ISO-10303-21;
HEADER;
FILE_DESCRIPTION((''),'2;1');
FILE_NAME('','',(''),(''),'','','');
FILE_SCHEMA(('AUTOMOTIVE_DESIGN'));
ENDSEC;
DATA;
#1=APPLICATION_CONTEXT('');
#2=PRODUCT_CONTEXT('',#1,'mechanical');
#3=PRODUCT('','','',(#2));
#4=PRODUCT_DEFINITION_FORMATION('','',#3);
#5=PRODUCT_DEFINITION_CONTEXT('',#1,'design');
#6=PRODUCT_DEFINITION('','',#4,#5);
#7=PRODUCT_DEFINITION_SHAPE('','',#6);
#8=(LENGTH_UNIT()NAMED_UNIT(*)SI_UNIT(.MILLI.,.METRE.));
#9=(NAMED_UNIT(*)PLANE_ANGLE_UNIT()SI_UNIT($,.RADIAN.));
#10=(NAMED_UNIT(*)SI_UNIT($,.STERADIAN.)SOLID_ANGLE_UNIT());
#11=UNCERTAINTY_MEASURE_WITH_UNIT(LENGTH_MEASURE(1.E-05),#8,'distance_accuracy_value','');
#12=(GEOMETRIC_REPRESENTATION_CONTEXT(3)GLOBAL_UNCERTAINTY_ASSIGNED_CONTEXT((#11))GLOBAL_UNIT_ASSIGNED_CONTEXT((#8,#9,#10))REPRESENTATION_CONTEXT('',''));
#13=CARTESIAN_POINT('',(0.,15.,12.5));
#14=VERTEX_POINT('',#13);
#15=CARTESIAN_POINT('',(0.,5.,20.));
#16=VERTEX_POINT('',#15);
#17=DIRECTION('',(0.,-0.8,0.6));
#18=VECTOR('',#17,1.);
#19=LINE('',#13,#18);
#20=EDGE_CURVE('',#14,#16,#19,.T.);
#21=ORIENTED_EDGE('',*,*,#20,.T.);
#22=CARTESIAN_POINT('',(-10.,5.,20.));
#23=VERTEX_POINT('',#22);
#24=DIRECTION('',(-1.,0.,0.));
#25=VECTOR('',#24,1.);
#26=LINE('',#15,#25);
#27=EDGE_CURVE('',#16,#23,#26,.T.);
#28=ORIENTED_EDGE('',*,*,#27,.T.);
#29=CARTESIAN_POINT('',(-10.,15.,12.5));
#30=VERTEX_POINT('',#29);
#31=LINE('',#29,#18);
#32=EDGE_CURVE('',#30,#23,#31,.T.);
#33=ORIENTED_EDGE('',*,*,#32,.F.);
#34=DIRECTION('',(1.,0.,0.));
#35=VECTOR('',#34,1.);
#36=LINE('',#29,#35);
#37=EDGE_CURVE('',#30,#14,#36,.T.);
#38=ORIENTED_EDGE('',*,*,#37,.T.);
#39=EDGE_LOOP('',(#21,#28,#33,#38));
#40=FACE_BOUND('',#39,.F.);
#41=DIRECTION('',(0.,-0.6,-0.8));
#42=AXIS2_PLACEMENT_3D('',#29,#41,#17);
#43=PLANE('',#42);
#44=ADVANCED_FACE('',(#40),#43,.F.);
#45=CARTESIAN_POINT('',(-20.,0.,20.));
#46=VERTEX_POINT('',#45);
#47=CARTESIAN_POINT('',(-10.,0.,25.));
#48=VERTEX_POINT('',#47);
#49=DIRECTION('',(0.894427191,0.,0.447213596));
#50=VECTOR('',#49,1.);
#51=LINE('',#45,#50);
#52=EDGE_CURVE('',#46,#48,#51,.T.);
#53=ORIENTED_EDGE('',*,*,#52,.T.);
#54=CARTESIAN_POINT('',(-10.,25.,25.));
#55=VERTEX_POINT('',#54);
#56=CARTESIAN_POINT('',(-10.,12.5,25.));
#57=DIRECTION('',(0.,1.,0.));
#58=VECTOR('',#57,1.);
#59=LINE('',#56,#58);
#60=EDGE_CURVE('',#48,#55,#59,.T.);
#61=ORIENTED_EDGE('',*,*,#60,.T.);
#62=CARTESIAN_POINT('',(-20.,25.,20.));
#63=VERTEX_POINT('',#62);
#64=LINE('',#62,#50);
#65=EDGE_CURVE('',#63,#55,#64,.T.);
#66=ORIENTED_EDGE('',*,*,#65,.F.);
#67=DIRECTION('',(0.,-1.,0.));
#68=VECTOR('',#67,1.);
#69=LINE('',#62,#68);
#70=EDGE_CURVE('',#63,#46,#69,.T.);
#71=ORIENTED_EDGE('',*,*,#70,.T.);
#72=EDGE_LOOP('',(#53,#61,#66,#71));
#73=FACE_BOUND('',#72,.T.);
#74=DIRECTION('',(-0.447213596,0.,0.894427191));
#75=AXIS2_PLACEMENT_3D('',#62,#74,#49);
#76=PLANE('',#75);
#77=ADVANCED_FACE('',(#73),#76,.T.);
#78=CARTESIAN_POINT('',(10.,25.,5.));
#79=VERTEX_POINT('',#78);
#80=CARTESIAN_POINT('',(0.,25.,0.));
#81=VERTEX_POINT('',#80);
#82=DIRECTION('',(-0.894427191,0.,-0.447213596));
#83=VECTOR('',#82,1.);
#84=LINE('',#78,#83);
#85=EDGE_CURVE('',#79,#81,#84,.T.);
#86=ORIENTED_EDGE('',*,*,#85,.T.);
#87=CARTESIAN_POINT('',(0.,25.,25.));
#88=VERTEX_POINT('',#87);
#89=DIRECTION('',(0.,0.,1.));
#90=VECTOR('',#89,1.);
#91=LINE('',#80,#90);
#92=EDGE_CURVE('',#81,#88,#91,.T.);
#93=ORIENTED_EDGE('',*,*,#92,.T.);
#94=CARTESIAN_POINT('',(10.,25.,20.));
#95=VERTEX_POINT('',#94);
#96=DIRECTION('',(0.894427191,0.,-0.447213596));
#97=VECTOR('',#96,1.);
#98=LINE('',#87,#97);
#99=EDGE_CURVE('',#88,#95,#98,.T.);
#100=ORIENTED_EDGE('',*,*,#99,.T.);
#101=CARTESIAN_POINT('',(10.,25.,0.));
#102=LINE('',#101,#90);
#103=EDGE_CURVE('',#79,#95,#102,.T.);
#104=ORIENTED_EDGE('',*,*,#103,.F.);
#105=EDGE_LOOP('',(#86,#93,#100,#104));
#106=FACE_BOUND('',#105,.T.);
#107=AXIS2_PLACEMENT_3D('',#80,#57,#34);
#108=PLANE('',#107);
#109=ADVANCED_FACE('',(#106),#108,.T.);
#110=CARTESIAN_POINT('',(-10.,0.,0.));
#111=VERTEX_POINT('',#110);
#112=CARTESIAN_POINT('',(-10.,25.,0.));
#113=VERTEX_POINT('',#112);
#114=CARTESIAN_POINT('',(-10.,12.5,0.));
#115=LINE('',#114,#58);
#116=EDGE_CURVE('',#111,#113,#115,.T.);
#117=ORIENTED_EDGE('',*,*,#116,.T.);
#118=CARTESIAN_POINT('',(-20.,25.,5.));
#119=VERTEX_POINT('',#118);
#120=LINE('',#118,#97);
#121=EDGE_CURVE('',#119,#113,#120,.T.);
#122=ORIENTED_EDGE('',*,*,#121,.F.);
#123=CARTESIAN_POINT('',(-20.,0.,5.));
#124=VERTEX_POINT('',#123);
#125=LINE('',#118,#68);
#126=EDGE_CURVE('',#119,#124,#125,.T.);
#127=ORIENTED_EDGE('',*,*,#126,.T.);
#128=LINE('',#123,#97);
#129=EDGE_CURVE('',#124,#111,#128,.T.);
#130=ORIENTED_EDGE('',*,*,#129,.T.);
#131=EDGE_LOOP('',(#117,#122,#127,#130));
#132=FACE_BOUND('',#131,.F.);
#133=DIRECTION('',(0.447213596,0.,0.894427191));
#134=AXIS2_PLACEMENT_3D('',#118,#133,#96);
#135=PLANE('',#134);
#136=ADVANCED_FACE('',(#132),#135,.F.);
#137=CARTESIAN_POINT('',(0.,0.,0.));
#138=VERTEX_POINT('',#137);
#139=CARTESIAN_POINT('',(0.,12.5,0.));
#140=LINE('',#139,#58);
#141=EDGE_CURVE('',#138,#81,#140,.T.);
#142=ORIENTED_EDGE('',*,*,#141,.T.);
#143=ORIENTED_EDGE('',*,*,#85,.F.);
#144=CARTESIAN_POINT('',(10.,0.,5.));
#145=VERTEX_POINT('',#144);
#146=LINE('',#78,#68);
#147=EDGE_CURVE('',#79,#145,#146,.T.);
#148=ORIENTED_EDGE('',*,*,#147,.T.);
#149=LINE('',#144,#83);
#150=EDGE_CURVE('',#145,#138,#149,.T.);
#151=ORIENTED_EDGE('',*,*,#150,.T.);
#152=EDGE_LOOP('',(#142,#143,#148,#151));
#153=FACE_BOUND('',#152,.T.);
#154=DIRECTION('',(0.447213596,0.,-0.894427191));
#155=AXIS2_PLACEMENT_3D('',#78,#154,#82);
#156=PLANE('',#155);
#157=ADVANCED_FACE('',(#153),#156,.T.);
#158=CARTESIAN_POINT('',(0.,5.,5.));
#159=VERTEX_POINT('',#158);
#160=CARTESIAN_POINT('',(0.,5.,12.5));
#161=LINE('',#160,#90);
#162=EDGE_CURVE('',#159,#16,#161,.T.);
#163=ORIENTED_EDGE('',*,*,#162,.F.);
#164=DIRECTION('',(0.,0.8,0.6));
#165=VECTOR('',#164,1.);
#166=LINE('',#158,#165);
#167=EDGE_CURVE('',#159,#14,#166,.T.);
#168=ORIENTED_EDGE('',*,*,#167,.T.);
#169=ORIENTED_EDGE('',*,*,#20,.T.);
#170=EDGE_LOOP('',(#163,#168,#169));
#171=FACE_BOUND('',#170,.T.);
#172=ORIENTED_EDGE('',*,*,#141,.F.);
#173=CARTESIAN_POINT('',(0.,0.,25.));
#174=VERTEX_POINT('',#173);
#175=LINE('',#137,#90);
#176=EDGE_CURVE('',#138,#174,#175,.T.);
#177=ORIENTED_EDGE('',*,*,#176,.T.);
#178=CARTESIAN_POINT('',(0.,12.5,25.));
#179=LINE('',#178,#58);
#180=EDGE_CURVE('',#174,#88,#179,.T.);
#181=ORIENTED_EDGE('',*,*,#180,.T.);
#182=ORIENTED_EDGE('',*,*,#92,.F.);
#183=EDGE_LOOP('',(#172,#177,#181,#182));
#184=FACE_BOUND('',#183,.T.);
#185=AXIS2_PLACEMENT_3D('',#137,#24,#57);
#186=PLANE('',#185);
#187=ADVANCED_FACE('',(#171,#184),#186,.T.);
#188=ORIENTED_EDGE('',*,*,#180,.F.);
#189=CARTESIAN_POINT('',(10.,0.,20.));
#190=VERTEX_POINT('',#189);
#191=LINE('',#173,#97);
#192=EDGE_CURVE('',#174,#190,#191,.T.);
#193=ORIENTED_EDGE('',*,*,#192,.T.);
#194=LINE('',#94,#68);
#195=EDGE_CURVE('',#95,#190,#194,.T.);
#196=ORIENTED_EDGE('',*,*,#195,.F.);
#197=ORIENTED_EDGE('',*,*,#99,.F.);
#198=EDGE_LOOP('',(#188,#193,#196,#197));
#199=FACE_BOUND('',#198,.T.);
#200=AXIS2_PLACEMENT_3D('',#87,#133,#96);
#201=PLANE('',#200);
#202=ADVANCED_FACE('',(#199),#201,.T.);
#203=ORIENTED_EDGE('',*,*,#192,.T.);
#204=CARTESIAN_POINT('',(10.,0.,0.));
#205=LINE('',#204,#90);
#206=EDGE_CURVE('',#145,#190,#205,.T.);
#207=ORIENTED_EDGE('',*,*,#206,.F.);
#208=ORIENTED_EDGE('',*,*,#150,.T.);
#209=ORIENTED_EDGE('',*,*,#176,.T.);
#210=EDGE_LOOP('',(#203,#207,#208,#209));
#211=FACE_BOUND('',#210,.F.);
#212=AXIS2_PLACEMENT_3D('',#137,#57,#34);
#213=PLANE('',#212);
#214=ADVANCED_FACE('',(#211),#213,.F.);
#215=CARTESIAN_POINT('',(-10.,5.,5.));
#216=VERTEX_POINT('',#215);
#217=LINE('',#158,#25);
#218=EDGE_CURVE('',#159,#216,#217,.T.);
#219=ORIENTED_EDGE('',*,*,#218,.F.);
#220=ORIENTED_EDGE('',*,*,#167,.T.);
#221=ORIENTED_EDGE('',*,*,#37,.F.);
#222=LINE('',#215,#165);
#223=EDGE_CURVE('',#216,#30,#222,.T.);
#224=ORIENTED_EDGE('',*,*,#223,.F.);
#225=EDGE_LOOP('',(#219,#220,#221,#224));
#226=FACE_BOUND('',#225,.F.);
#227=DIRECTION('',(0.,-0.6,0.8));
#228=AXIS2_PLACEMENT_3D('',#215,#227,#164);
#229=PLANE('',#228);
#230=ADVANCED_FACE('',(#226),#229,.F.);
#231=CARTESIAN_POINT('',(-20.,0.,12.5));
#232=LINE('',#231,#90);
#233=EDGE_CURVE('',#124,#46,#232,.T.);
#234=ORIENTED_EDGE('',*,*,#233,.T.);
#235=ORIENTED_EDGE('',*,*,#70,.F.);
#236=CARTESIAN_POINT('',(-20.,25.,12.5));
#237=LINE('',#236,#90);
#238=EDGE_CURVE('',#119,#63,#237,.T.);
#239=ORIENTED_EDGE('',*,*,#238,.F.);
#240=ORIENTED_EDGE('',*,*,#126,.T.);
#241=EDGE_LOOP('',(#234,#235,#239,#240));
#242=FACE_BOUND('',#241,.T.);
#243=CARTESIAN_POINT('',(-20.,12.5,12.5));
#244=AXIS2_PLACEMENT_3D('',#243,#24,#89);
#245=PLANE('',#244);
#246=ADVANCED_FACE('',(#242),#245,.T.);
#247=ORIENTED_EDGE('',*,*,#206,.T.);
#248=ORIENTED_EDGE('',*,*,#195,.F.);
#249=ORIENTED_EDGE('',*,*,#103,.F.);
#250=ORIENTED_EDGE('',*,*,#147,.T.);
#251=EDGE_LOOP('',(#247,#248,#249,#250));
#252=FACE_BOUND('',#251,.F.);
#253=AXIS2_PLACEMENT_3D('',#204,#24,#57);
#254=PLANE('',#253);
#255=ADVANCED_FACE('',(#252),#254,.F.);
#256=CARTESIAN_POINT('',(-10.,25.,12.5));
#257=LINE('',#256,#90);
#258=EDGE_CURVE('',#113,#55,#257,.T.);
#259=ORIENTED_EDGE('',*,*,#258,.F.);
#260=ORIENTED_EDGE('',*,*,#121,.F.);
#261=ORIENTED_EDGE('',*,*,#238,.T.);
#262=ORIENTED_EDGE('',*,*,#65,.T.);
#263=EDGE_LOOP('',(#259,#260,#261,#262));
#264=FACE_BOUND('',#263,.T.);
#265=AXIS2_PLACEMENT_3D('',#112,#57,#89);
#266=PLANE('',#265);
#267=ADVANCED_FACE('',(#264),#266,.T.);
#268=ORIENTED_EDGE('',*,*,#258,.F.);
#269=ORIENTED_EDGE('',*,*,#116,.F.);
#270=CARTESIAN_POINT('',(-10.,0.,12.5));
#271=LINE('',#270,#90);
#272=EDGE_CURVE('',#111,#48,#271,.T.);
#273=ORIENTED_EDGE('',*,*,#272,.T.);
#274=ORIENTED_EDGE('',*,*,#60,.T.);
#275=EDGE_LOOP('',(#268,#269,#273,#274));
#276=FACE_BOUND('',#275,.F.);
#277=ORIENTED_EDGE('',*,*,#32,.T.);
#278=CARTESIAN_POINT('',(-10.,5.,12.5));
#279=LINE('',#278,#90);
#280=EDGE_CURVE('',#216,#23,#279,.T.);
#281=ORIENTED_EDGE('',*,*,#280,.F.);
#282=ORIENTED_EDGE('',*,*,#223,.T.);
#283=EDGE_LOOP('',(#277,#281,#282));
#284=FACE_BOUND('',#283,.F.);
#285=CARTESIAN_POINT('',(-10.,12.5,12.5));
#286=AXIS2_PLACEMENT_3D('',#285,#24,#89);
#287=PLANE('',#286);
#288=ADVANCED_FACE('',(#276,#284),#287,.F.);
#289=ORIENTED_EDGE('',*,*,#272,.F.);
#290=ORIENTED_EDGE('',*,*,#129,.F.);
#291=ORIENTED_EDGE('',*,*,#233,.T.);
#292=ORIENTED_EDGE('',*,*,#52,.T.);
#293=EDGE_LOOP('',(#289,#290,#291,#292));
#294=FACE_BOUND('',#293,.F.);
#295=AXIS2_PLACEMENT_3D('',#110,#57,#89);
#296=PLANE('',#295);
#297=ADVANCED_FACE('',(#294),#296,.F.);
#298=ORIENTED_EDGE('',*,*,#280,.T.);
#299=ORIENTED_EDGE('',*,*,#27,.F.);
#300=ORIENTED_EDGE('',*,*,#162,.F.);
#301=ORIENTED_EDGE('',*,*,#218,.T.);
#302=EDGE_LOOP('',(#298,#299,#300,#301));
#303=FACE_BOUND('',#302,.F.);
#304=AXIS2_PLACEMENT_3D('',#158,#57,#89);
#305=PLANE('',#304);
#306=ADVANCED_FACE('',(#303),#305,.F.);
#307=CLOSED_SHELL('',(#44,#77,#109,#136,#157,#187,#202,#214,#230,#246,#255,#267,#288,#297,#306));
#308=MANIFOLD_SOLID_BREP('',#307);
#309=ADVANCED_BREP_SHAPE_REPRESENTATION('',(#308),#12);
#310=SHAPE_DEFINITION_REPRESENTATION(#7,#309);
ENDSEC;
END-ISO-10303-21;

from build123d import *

# Parameters (mm, degrees)
SKETCH1_W           = 10
SKETCH1_H           = 25
BOSS_EXTRUDE1_DEPTH = 25
CUT_EXTRUDE1_DEPTH  = 25
SKETCH3_W           = 15
SKETCH3_H           = 10
BOSS_EXTRUDE2_DEPTH = 10
CUT_EXTRUDE2_DEPTH  = 10
SKETCH5_W           = 25
SKETCH5_H           = 25
BOSS_EXTRUDE3_DEPTH = 10
CUT_EXTRUDE3_DEPTH  = 25


with BuildPart() as part:
    # Sketch1 → Boss-Extrude1 (new body)
    with BuildSketch(Plane.XY):
        with Locations((5, 12.5)):
            Rectangle(SKETCH1_W, SKETCH1_H)
    extrude(amount=BOSS_EXTRUDE1_DEPTH)

    # Sketch2 → Cut-Extrude1 (cut)
    with BuildSketch(Plane(origin=(0, 25, 0), x_dir=(1, 0, 0), z_dir=(0, 1, 0))):
        Polygon((0, 0), (10, 0), (10, -5), align=None)
        Polygon((0, -25), (10, -20), (10, -25), align=None)
    extrude(amount=-CUT_EXTRUDE1_DEPTH, mode=Mode.SUBTRACT)

    # Sketch3 → Boss-Extrude2 (add)
    with BuildSketch(Plane.ZY):
        with Locations((12.5, 10)):
            Rectangle(SKETCH3_W, SKETCH3_H)
    extrude(amount=BOSS_EXTRUDE2_DEPTH)

    # Sketch4 → Cut-Extrude2 (cut)
    with BuildSketch(Plane.ZY.offset(10)):
        Polygon((20, 15), (12.5, 15), (20, 5), align=None)
        Polygon((5, 15), (5, 5), (12.5, 15), align=None)
    extrude(amount=-CUT_EXTRUDE2_DEPTH, mode=Mode.SUBTRACT)

    # Sketch5 → Boss-Extrude3 (add)
    with BuildSketch(Plane.ZY.offset(10)):
        with Locations((12.5, 12.5)):
            Rectangle(SKETCH5_W, SKETCH5_H)
    extrude(amount=BOSS_EXTRUDE3_DEPTH)

    # Sketch6 → Cut-Extrude3 (cut)
    with BuildSketch(Plane(origin=(0, 25, 0), x_dir=(1, 0, 0), z_dir=(0, 1, 0))):
        Polygon((-10, 0), (-20, 0), (-20, -5), align=None)
        Polygon((-20, -25), (-20, -20), (-10, -25), align=None)
    extrude(amount=-CUT_EXTRUDE3_DEPTH, mode=Mode.SUBTRACT)


solid = part.part
